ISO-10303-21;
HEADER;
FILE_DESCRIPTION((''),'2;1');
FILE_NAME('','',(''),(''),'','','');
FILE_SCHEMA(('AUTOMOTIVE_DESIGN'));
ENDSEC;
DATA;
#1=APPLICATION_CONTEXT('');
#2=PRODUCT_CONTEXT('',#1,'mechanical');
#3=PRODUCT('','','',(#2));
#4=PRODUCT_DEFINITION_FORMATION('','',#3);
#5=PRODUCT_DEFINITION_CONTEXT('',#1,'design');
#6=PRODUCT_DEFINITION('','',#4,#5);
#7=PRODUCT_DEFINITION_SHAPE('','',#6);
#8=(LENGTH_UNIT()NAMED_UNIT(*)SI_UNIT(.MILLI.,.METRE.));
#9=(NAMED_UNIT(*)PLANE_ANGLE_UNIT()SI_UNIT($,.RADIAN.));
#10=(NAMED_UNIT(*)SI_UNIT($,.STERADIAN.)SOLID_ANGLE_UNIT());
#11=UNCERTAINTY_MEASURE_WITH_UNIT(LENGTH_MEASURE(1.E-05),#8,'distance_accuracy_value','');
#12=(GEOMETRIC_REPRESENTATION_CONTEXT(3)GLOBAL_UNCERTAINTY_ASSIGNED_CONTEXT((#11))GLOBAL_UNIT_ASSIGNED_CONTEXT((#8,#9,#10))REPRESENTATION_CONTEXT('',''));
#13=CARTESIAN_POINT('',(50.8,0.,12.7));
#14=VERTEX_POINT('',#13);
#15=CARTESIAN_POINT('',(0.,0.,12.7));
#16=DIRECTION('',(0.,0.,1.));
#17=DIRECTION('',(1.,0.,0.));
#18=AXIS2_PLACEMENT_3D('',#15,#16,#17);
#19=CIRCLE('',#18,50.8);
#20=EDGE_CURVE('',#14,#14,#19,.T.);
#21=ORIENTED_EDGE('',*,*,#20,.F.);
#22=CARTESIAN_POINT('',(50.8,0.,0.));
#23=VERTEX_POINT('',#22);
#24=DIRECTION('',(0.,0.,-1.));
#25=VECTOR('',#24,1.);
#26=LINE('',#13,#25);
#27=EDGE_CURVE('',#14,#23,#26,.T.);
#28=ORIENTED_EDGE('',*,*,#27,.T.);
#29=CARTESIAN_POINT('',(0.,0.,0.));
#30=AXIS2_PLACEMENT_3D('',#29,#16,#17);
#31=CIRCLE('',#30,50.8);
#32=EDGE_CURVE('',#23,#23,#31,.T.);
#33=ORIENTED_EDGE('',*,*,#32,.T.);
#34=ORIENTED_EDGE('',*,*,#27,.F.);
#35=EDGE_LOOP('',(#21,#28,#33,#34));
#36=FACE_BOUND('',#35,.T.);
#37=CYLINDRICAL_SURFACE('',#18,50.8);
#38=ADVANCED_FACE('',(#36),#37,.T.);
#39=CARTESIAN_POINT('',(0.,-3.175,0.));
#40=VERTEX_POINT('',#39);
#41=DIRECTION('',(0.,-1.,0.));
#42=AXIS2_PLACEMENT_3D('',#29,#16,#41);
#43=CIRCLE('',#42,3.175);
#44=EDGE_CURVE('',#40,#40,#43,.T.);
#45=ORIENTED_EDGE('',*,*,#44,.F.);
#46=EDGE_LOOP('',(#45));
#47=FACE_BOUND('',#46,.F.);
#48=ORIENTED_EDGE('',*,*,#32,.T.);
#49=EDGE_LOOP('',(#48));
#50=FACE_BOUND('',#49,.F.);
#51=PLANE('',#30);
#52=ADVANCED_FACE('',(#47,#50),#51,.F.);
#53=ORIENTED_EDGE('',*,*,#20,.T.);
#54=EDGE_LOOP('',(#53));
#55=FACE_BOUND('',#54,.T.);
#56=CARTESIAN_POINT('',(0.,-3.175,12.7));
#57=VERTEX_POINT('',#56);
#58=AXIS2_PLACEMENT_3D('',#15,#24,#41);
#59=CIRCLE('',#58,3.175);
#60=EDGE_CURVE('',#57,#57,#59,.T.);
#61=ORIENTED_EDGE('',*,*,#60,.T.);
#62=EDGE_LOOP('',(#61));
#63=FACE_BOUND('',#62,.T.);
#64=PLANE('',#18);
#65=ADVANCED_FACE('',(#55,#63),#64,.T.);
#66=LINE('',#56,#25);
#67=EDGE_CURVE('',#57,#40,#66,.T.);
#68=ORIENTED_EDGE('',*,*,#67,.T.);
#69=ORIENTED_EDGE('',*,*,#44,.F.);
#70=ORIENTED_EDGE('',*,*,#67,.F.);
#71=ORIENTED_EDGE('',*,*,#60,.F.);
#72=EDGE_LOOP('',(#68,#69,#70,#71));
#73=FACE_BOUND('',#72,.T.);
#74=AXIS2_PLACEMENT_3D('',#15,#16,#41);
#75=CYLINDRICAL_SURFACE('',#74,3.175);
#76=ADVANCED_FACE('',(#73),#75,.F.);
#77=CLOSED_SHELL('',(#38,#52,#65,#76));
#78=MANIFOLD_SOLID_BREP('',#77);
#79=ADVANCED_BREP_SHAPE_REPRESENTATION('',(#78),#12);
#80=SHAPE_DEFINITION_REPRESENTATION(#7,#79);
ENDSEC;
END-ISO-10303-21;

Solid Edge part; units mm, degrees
sketch "Sketch1" plane through (0, 0, 0) normal (0, 0, 1) x (1, 0, 0)
  circle A0 centre (0, 0) radius 47.625
extrude "Protrusion1" add sketch "Sketch1" along normal blind 12.7
sketch "Sketch2" plane through (0, 0, 12.7) normal (0, 0, 1) x (1, 0, 0)
  circle A0 centre (0, 0) radius 50.8
  circle A1 centre (0, 0) radius 47.625
extrude "ExtrudedProtrusion_3" add sketch "Sketch2" against normal blind 12.7
hole "Hole_1" at (0, 0, 12.7) direction (0, 0, -1) diameter 6.35 end up to next
properties part number "SPaRC - 01 - 002"
